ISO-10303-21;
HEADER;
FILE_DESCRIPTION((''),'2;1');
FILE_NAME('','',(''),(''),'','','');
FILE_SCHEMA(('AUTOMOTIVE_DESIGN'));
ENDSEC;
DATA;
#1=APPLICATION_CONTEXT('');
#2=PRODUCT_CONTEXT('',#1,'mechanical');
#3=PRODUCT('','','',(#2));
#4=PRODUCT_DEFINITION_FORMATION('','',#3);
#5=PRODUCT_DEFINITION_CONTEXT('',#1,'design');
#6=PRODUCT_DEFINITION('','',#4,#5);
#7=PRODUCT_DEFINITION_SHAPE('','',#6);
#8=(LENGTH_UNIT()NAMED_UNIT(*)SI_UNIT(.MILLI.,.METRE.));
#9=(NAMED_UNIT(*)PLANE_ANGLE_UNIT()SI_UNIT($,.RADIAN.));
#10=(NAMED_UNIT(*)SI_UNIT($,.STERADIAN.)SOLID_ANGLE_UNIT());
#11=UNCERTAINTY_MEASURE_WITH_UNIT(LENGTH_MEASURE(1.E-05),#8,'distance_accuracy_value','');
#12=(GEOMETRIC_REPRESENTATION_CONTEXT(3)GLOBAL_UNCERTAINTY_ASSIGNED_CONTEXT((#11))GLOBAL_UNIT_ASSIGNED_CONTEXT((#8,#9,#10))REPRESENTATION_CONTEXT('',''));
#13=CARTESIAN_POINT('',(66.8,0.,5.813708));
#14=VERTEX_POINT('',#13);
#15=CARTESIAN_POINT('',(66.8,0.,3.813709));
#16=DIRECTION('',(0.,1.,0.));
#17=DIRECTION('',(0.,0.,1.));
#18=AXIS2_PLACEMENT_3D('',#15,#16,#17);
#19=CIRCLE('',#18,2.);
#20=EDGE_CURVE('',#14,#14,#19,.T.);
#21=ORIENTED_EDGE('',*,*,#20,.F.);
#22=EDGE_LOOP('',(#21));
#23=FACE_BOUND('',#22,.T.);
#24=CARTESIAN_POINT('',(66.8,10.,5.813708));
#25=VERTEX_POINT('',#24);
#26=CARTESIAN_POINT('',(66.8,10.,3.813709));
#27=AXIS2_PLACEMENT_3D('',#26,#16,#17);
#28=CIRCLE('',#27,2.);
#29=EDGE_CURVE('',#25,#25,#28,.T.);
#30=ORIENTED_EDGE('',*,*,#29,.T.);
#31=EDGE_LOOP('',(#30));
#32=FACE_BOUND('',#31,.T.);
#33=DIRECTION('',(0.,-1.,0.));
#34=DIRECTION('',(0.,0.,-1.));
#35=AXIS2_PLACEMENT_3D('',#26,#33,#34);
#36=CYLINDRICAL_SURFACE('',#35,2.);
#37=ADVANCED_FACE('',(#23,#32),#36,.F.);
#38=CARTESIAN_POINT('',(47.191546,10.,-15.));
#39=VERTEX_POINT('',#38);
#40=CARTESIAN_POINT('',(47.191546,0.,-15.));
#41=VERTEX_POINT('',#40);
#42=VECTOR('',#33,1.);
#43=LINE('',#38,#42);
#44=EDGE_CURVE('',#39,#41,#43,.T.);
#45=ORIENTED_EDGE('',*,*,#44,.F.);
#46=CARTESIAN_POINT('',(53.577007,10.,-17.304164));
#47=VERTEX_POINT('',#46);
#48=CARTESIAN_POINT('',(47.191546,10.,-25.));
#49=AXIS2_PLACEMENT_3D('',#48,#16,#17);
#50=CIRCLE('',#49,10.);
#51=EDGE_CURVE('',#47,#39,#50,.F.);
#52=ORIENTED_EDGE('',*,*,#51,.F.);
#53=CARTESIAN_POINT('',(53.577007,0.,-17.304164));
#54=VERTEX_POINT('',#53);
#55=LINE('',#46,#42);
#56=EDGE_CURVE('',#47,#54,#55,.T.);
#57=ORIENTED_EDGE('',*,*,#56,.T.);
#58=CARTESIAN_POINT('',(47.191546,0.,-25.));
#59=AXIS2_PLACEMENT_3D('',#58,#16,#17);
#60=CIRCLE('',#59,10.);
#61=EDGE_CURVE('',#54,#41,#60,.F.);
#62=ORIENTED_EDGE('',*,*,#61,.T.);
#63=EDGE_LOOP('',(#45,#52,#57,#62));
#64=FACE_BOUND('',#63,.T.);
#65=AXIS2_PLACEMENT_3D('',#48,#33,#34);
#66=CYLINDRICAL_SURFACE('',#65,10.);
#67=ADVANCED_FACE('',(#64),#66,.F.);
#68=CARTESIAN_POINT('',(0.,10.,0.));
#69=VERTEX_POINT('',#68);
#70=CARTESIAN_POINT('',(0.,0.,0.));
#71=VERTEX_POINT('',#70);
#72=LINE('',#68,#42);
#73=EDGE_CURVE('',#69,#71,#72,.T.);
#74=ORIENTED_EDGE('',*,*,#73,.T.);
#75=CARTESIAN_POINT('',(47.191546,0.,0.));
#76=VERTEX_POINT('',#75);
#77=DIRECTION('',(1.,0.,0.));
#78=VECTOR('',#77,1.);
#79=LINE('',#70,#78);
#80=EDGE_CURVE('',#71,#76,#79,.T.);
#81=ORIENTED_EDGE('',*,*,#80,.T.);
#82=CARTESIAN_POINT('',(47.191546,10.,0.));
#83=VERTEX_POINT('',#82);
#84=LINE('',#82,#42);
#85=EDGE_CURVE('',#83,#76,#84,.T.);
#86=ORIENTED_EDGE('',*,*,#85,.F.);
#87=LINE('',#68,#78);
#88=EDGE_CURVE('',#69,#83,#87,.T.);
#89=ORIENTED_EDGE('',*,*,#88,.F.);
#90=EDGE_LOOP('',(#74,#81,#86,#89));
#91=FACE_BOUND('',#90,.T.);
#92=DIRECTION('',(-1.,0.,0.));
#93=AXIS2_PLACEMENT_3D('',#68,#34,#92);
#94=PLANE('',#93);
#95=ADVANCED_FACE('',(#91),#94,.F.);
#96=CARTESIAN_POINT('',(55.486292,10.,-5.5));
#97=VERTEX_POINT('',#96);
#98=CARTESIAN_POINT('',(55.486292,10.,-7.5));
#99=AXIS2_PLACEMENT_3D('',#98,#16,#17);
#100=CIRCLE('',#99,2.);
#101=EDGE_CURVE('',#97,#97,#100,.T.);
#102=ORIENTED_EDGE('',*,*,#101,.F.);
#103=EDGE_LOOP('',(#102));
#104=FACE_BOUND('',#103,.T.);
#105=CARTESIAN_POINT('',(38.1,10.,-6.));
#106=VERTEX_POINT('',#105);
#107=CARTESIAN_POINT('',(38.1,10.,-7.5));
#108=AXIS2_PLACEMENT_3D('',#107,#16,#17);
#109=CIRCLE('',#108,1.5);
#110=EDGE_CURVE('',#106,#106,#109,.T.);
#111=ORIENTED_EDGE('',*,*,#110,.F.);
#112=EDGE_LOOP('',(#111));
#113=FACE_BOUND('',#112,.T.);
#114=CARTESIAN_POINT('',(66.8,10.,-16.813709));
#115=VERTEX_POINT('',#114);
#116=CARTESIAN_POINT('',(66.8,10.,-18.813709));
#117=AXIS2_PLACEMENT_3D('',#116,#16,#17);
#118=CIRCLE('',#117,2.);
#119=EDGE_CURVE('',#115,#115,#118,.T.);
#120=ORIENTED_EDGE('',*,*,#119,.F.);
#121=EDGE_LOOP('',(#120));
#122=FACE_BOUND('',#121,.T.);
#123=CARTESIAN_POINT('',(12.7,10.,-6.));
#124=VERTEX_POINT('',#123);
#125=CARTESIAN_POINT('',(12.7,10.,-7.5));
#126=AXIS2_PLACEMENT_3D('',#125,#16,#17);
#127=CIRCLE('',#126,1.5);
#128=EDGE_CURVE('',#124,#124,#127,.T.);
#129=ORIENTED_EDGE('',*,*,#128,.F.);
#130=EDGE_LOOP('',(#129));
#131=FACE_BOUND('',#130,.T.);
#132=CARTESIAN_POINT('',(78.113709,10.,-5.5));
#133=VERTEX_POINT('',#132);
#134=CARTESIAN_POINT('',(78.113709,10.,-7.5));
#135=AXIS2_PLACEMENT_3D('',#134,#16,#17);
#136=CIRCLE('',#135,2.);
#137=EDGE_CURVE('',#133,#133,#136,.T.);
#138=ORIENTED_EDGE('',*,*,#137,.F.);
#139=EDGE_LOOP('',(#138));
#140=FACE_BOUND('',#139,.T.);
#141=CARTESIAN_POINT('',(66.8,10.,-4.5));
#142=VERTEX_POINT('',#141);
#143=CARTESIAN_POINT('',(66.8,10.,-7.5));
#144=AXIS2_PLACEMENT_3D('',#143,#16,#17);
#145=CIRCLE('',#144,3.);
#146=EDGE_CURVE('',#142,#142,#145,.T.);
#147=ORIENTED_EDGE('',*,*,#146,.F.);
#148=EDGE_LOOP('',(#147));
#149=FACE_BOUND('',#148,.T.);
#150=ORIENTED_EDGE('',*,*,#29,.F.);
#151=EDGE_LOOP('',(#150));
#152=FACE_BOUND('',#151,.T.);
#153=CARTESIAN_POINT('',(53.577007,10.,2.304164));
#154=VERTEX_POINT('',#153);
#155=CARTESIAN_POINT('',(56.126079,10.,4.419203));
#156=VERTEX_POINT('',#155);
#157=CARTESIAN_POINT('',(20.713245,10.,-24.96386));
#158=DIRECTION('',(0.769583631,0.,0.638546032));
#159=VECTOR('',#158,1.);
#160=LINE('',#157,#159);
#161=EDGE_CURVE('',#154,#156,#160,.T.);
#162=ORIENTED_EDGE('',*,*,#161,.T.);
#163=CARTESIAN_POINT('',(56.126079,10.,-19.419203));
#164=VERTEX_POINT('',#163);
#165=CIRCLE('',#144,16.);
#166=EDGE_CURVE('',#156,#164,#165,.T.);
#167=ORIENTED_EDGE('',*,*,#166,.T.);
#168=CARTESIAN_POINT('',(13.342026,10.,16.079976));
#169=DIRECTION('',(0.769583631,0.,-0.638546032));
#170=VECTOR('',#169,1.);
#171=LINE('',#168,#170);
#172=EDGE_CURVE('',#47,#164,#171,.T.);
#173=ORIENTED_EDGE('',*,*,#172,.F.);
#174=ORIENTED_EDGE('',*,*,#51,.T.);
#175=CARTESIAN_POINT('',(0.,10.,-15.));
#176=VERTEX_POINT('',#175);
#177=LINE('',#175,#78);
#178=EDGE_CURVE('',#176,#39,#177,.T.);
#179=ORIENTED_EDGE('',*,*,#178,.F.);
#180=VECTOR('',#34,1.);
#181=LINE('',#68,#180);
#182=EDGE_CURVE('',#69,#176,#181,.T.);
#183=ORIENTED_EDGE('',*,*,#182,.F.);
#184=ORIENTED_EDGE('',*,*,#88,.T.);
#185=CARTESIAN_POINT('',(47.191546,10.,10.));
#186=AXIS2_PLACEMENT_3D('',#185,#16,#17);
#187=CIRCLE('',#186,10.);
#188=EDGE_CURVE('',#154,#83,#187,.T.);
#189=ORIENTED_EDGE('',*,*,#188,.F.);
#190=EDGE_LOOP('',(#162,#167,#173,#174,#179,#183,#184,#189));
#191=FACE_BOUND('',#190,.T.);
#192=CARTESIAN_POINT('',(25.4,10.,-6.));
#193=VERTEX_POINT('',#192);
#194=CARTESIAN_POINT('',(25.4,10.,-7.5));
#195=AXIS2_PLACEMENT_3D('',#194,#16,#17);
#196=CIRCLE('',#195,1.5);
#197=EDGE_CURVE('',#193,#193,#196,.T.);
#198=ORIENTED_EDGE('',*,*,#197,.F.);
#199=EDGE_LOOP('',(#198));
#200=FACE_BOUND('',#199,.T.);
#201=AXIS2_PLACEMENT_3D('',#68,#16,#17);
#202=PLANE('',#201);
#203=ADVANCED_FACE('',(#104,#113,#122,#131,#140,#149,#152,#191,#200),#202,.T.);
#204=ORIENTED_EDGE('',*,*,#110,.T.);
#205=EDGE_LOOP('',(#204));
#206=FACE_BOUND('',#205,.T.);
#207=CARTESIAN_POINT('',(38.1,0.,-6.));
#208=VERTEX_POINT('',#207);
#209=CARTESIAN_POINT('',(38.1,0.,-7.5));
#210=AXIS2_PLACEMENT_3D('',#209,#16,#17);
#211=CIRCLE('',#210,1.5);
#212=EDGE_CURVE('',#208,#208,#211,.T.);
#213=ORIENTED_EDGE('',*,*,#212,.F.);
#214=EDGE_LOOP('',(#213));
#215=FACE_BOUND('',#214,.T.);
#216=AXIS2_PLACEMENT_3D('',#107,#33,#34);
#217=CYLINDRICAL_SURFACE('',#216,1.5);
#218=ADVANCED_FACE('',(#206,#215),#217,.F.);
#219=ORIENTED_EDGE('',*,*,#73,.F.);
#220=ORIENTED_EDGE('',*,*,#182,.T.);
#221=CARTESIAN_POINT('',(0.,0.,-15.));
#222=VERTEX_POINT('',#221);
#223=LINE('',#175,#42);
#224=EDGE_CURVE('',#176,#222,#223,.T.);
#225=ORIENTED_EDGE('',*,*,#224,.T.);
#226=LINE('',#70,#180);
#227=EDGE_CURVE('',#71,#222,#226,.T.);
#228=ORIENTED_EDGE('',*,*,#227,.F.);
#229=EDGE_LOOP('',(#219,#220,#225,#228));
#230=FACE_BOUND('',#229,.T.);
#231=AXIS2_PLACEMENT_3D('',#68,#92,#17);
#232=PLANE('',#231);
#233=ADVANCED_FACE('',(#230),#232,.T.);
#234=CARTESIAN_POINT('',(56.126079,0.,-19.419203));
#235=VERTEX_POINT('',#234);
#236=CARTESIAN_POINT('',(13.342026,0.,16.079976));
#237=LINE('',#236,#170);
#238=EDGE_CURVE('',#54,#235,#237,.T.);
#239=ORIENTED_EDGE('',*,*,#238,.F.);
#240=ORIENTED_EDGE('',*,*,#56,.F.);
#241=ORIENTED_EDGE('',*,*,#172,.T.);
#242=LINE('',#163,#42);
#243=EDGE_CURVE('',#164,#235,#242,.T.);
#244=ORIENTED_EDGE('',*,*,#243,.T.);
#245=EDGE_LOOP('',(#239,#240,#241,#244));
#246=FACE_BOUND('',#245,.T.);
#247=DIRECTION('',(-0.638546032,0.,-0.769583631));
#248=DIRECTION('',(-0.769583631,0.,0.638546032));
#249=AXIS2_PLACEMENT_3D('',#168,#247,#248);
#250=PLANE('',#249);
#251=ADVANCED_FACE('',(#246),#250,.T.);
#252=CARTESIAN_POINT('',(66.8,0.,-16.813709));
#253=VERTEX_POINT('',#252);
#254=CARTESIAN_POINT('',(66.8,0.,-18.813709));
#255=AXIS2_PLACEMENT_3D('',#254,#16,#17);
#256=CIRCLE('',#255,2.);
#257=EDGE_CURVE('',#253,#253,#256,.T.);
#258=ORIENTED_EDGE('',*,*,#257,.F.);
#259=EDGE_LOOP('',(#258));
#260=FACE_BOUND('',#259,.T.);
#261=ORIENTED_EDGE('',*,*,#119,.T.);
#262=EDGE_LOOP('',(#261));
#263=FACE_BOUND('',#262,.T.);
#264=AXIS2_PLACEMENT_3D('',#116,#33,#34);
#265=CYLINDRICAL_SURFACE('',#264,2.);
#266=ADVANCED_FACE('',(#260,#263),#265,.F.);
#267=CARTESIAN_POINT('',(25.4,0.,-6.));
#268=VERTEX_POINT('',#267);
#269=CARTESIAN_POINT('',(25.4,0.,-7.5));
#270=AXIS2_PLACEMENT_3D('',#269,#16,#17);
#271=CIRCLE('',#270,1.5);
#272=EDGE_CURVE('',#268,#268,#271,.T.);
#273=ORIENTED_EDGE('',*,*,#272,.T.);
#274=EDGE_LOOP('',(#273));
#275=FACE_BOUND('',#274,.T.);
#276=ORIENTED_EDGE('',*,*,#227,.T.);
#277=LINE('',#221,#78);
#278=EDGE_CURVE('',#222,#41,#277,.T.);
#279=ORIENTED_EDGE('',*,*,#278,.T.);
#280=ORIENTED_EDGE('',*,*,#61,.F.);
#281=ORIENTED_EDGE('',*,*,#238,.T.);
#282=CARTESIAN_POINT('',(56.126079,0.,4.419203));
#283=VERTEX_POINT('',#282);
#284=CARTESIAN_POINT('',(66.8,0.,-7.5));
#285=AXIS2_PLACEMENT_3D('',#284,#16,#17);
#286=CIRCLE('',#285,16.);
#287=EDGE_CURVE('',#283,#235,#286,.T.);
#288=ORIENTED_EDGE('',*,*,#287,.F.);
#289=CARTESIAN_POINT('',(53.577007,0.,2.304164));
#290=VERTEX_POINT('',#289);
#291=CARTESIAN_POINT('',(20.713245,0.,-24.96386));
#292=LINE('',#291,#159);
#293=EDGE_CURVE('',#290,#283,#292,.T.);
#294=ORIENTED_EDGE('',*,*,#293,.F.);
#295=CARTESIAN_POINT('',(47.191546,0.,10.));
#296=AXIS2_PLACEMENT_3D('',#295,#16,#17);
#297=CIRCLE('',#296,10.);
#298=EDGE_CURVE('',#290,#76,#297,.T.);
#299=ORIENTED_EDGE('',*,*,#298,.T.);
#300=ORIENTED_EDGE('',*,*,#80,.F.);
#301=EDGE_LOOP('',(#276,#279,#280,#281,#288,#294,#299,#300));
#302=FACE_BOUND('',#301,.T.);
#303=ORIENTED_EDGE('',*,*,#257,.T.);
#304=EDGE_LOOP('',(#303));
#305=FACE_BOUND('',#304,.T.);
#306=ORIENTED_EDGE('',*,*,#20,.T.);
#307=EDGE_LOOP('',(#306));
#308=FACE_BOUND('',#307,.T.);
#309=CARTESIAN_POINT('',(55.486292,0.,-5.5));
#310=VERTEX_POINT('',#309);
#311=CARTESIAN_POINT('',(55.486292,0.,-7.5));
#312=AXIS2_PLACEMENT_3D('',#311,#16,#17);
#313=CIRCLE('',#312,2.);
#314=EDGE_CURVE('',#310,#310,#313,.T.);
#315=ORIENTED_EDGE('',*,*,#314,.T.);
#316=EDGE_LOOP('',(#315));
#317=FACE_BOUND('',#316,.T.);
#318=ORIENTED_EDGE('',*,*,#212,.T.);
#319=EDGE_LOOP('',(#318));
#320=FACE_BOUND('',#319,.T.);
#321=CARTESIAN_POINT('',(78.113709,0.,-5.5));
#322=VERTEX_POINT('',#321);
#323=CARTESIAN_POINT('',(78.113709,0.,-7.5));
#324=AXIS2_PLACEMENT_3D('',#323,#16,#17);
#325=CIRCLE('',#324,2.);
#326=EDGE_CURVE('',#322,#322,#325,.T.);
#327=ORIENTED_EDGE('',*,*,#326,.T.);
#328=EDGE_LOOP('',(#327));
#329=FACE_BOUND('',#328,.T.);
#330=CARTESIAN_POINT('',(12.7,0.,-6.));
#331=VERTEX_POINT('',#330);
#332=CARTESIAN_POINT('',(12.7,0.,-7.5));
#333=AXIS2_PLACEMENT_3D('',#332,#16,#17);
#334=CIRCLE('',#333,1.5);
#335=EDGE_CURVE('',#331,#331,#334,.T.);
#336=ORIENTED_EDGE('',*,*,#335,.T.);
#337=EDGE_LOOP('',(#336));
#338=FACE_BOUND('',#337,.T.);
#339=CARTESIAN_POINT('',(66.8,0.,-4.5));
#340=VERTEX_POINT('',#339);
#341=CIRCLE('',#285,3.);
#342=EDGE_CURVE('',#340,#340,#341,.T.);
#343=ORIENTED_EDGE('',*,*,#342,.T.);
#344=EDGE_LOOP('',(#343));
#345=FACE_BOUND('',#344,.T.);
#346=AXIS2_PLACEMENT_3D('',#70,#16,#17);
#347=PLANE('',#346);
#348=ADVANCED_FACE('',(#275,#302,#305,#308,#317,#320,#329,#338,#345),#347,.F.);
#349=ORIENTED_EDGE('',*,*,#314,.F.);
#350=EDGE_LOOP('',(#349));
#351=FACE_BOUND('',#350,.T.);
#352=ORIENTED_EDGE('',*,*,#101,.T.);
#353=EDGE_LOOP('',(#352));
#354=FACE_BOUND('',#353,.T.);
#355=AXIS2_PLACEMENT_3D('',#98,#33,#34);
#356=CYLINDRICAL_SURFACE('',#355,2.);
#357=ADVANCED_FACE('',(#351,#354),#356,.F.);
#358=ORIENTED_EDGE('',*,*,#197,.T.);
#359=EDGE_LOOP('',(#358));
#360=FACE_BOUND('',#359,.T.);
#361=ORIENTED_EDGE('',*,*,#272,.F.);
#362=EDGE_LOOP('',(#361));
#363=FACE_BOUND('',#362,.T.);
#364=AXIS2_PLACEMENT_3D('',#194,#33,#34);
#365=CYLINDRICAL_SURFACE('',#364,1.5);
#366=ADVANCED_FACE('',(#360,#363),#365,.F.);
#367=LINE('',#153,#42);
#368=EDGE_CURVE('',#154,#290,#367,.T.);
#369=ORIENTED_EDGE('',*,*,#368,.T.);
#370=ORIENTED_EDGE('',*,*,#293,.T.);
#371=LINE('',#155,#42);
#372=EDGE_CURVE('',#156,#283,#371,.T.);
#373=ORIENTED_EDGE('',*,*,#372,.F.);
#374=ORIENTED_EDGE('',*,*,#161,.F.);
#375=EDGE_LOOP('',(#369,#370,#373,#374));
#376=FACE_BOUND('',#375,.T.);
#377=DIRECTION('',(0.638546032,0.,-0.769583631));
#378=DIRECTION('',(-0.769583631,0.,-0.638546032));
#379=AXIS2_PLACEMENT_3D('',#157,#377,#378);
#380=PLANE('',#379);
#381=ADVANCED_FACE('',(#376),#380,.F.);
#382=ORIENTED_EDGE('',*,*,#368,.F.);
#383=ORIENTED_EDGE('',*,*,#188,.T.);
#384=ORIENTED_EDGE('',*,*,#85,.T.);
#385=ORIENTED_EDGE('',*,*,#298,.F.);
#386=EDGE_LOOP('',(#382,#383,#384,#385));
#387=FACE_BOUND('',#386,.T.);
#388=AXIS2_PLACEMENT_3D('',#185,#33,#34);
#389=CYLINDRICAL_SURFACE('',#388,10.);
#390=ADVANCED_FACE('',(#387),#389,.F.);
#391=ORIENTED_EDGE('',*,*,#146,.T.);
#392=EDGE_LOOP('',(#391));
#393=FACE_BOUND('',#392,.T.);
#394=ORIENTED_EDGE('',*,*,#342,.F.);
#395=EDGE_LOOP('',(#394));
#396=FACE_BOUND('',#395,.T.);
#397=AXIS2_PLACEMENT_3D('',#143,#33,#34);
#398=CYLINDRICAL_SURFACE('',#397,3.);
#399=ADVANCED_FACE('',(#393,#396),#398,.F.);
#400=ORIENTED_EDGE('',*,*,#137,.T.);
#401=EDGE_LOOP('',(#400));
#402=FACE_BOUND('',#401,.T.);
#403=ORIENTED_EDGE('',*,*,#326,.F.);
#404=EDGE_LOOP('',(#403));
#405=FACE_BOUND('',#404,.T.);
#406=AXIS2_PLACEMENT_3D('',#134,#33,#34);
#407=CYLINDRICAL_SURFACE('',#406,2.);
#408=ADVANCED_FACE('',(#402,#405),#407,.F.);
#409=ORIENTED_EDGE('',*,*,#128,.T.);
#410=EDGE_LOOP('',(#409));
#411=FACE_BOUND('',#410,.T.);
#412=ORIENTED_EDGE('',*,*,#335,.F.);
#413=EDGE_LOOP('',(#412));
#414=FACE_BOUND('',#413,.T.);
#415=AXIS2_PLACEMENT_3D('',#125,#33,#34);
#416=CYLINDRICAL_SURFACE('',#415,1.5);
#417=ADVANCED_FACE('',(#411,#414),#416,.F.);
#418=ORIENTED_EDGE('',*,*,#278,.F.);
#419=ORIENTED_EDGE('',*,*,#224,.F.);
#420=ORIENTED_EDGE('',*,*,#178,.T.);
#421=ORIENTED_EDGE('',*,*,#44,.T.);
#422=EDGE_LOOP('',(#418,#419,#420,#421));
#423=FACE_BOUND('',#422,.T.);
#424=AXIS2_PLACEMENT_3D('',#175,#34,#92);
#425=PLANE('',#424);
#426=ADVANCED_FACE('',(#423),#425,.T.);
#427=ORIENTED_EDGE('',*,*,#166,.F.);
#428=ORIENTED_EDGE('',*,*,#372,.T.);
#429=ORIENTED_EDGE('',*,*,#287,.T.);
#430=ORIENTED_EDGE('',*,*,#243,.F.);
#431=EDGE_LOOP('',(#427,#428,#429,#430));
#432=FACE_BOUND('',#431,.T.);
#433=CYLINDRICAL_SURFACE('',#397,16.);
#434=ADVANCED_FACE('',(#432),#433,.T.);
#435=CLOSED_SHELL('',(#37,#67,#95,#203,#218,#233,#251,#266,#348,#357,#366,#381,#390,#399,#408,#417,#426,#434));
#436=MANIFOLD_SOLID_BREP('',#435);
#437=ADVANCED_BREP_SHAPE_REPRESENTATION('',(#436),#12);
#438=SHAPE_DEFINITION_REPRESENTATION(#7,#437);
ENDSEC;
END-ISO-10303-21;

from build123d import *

# Parameters (mm, degrees)
SKETCH1_R           = 1.5
SKETCH1_R_2         = 2
SKETCH1_R_3         = 3
BOSS_EXTRUDE1_DEPTH = 10


with BuildPart() as part:
    # Sketch1 → Boss-Extrude1 (new body)
    with BuildSketch(Plane(origin=(0, 0, 0), x_dir=(1, 0, 0), z_dir=(0, 1, 0))):
        with BuildLine():
            ThreePointArc((53.57700678, 17.304163694), (50.585779575, 15.593662693), (47.191546456, 15))
            Line((47.191546456, 15), (0, 15))
            Line((0, 15), (0, 0))
            Line((0, 0), (47.191546456, 0))
            ThreePointArc((47.191546456, 0), (50.585779575, -0.593662693), (53.57700678, -2.304163694))
            Line((53.57700678, -2.304163694), (56.126078821, -4.419203273))
            ThreePointArc((56.126078821, -4.419203273), (82.8, 7.5), (56.126078821, 19.419203273))
            Line((56.126078821, 19.419203273), (53.57700678, 17.304163694))
        make_face()
        with Locations(Location((12.7, 7.5, 0), (0, 0, 270))):
            Circle(SKETCH1_R, mode=Mode.SUBTRACT)
        with Locations(Location((25.4, 7.5, 0), (0, 0, 270))):
            Circle(SKETCH1_R, mode=Mode.SUBTRACT)
        with Locations(Location((38.1, 7.5, 0), (0, 0, 270))):
            Circle(SKETCH1_R, mode=Mode.SUBTRACT)
        with BuildLine():
            ThreePointArc((53.4862915, 7.5), (55.4862915, 9.5), (57.4862915, 7.5))
            ThreePointArc((57.4862915, 7.5), (55.4862915, 5.5), (53.4862915, 7.5))
        make_face(mode=Mode.SUBTRACT)
        with Locations(Location((66.8, -3.8137085, 0), (0, 0, 270))):
            Circle(SKETCH1_R_2, mode=Mode.SUBTRACT)
        with Locations(Location((66.8, 18.8137085, 0), (0, 0, 270))):
            Circle(SKETCH1_R_2, mode=Mode.SUBTRACT)
        with Locations(Location((78.1137085, 7.5, 0), (0, 0, 270))):
            Circle(SKETCH1_R_2, mode=Mode.SUBTRACT)
        with Locations(Location((66.8, 7.5, 0), (0, 0, 270))):
            Circle(SKETCH1_R_3, mode=Mode.SUBTRACT)
    extrude(amount=BOSS_EXTRUDE1_DEPTH)


solid = part.part
